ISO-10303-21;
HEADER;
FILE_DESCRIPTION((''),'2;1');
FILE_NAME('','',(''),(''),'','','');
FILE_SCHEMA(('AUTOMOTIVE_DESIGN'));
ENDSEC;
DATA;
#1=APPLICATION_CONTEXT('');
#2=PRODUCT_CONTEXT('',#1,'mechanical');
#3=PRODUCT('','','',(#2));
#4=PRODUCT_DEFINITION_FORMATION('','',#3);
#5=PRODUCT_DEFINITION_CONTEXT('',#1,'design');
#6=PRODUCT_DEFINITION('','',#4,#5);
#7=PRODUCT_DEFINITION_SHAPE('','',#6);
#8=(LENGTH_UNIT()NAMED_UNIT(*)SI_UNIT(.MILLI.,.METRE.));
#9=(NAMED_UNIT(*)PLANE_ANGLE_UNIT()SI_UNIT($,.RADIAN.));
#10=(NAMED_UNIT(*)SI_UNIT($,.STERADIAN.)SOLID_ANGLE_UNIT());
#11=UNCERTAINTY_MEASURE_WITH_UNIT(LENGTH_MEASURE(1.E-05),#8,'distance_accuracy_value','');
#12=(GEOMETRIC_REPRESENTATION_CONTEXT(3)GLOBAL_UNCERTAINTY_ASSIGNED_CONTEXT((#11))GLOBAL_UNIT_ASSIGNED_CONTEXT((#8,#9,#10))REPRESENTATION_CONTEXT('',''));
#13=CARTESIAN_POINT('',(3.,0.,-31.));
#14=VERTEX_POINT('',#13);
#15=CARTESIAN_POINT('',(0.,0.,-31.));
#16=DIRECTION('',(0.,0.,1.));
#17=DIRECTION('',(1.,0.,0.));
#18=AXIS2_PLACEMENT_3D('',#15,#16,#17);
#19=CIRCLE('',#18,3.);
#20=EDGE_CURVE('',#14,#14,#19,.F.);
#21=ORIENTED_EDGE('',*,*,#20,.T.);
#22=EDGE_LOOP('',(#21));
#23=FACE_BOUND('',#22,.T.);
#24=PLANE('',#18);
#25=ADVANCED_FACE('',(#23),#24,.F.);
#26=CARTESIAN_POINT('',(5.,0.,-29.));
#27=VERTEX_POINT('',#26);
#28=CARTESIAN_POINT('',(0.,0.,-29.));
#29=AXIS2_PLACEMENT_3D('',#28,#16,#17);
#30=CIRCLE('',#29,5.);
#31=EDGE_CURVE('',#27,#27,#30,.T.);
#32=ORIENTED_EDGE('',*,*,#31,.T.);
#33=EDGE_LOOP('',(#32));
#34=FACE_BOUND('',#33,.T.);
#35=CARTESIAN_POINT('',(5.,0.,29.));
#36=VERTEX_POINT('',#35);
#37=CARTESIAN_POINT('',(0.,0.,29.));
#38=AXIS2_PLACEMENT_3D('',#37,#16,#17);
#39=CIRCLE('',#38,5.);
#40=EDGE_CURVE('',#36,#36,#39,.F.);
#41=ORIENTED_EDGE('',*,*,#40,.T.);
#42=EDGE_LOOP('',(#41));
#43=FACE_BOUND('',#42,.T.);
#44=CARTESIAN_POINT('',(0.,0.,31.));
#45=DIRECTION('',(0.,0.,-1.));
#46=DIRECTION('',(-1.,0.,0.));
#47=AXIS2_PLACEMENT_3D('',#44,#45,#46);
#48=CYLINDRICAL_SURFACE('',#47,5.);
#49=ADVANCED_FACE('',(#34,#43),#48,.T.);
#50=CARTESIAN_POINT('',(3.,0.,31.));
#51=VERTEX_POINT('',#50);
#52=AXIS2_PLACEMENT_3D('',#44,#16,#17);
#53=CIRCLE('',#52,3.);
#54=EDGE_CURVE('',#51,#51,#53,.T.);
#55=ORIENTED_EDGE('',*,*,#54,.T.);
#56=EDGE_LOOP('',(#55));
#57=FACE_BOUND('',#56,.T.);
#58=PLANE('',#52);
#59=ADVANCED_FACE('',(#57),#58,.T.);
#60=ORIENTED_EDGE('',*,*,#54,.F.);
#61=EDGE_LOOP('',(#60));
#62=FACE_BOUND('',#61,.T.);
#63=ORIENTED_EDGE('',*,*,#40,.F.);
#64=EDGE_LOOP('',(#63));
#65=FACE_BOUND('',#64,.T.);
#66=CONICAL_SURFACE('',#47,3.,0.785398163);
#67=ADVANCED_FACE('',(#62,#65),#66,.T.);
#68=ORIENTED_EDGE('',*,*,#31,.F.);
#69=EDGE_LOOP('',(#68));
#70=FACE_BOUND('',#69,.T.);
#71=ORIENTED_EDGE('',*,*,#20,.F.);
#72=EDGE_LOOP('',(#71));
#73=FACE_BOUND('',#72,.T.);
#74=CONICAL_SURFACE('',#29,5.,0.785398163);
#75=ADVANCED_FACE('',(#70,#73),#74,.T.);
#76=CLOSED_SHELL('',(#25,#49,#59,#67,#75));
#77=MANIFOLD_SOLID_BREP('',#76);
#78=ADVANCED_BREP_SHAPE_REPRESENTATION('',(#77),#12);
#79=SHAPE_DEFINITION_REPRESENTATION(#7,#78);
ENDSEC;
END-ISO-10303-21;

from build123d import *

# Parameters (mm, degrees)
SKETCH_1_R      = 5
EXTRUDE_1_DEPTH = 31
CHAMFER_1_SIZE  = 2


with BuildPart() as part:
    # 草图1 → 凸台-拉伸1 (new, symmetric)
    with BuildSketch(Plane.XY):
        Circle(SKETCH_1_R)
    extrude(amount=EXTRUDE_1_DEPTH, both=True)

    # 倒角1
    chamfer_1_edges = [part.edges().sort_by_distance(p)[0] for p in [
        (-5, 0, -31),
        (-5, 0, 31),
    ]]
    chamfer(chamfer_1_edges, length=CHAMFER_1_SIZE)


solid = part.part
